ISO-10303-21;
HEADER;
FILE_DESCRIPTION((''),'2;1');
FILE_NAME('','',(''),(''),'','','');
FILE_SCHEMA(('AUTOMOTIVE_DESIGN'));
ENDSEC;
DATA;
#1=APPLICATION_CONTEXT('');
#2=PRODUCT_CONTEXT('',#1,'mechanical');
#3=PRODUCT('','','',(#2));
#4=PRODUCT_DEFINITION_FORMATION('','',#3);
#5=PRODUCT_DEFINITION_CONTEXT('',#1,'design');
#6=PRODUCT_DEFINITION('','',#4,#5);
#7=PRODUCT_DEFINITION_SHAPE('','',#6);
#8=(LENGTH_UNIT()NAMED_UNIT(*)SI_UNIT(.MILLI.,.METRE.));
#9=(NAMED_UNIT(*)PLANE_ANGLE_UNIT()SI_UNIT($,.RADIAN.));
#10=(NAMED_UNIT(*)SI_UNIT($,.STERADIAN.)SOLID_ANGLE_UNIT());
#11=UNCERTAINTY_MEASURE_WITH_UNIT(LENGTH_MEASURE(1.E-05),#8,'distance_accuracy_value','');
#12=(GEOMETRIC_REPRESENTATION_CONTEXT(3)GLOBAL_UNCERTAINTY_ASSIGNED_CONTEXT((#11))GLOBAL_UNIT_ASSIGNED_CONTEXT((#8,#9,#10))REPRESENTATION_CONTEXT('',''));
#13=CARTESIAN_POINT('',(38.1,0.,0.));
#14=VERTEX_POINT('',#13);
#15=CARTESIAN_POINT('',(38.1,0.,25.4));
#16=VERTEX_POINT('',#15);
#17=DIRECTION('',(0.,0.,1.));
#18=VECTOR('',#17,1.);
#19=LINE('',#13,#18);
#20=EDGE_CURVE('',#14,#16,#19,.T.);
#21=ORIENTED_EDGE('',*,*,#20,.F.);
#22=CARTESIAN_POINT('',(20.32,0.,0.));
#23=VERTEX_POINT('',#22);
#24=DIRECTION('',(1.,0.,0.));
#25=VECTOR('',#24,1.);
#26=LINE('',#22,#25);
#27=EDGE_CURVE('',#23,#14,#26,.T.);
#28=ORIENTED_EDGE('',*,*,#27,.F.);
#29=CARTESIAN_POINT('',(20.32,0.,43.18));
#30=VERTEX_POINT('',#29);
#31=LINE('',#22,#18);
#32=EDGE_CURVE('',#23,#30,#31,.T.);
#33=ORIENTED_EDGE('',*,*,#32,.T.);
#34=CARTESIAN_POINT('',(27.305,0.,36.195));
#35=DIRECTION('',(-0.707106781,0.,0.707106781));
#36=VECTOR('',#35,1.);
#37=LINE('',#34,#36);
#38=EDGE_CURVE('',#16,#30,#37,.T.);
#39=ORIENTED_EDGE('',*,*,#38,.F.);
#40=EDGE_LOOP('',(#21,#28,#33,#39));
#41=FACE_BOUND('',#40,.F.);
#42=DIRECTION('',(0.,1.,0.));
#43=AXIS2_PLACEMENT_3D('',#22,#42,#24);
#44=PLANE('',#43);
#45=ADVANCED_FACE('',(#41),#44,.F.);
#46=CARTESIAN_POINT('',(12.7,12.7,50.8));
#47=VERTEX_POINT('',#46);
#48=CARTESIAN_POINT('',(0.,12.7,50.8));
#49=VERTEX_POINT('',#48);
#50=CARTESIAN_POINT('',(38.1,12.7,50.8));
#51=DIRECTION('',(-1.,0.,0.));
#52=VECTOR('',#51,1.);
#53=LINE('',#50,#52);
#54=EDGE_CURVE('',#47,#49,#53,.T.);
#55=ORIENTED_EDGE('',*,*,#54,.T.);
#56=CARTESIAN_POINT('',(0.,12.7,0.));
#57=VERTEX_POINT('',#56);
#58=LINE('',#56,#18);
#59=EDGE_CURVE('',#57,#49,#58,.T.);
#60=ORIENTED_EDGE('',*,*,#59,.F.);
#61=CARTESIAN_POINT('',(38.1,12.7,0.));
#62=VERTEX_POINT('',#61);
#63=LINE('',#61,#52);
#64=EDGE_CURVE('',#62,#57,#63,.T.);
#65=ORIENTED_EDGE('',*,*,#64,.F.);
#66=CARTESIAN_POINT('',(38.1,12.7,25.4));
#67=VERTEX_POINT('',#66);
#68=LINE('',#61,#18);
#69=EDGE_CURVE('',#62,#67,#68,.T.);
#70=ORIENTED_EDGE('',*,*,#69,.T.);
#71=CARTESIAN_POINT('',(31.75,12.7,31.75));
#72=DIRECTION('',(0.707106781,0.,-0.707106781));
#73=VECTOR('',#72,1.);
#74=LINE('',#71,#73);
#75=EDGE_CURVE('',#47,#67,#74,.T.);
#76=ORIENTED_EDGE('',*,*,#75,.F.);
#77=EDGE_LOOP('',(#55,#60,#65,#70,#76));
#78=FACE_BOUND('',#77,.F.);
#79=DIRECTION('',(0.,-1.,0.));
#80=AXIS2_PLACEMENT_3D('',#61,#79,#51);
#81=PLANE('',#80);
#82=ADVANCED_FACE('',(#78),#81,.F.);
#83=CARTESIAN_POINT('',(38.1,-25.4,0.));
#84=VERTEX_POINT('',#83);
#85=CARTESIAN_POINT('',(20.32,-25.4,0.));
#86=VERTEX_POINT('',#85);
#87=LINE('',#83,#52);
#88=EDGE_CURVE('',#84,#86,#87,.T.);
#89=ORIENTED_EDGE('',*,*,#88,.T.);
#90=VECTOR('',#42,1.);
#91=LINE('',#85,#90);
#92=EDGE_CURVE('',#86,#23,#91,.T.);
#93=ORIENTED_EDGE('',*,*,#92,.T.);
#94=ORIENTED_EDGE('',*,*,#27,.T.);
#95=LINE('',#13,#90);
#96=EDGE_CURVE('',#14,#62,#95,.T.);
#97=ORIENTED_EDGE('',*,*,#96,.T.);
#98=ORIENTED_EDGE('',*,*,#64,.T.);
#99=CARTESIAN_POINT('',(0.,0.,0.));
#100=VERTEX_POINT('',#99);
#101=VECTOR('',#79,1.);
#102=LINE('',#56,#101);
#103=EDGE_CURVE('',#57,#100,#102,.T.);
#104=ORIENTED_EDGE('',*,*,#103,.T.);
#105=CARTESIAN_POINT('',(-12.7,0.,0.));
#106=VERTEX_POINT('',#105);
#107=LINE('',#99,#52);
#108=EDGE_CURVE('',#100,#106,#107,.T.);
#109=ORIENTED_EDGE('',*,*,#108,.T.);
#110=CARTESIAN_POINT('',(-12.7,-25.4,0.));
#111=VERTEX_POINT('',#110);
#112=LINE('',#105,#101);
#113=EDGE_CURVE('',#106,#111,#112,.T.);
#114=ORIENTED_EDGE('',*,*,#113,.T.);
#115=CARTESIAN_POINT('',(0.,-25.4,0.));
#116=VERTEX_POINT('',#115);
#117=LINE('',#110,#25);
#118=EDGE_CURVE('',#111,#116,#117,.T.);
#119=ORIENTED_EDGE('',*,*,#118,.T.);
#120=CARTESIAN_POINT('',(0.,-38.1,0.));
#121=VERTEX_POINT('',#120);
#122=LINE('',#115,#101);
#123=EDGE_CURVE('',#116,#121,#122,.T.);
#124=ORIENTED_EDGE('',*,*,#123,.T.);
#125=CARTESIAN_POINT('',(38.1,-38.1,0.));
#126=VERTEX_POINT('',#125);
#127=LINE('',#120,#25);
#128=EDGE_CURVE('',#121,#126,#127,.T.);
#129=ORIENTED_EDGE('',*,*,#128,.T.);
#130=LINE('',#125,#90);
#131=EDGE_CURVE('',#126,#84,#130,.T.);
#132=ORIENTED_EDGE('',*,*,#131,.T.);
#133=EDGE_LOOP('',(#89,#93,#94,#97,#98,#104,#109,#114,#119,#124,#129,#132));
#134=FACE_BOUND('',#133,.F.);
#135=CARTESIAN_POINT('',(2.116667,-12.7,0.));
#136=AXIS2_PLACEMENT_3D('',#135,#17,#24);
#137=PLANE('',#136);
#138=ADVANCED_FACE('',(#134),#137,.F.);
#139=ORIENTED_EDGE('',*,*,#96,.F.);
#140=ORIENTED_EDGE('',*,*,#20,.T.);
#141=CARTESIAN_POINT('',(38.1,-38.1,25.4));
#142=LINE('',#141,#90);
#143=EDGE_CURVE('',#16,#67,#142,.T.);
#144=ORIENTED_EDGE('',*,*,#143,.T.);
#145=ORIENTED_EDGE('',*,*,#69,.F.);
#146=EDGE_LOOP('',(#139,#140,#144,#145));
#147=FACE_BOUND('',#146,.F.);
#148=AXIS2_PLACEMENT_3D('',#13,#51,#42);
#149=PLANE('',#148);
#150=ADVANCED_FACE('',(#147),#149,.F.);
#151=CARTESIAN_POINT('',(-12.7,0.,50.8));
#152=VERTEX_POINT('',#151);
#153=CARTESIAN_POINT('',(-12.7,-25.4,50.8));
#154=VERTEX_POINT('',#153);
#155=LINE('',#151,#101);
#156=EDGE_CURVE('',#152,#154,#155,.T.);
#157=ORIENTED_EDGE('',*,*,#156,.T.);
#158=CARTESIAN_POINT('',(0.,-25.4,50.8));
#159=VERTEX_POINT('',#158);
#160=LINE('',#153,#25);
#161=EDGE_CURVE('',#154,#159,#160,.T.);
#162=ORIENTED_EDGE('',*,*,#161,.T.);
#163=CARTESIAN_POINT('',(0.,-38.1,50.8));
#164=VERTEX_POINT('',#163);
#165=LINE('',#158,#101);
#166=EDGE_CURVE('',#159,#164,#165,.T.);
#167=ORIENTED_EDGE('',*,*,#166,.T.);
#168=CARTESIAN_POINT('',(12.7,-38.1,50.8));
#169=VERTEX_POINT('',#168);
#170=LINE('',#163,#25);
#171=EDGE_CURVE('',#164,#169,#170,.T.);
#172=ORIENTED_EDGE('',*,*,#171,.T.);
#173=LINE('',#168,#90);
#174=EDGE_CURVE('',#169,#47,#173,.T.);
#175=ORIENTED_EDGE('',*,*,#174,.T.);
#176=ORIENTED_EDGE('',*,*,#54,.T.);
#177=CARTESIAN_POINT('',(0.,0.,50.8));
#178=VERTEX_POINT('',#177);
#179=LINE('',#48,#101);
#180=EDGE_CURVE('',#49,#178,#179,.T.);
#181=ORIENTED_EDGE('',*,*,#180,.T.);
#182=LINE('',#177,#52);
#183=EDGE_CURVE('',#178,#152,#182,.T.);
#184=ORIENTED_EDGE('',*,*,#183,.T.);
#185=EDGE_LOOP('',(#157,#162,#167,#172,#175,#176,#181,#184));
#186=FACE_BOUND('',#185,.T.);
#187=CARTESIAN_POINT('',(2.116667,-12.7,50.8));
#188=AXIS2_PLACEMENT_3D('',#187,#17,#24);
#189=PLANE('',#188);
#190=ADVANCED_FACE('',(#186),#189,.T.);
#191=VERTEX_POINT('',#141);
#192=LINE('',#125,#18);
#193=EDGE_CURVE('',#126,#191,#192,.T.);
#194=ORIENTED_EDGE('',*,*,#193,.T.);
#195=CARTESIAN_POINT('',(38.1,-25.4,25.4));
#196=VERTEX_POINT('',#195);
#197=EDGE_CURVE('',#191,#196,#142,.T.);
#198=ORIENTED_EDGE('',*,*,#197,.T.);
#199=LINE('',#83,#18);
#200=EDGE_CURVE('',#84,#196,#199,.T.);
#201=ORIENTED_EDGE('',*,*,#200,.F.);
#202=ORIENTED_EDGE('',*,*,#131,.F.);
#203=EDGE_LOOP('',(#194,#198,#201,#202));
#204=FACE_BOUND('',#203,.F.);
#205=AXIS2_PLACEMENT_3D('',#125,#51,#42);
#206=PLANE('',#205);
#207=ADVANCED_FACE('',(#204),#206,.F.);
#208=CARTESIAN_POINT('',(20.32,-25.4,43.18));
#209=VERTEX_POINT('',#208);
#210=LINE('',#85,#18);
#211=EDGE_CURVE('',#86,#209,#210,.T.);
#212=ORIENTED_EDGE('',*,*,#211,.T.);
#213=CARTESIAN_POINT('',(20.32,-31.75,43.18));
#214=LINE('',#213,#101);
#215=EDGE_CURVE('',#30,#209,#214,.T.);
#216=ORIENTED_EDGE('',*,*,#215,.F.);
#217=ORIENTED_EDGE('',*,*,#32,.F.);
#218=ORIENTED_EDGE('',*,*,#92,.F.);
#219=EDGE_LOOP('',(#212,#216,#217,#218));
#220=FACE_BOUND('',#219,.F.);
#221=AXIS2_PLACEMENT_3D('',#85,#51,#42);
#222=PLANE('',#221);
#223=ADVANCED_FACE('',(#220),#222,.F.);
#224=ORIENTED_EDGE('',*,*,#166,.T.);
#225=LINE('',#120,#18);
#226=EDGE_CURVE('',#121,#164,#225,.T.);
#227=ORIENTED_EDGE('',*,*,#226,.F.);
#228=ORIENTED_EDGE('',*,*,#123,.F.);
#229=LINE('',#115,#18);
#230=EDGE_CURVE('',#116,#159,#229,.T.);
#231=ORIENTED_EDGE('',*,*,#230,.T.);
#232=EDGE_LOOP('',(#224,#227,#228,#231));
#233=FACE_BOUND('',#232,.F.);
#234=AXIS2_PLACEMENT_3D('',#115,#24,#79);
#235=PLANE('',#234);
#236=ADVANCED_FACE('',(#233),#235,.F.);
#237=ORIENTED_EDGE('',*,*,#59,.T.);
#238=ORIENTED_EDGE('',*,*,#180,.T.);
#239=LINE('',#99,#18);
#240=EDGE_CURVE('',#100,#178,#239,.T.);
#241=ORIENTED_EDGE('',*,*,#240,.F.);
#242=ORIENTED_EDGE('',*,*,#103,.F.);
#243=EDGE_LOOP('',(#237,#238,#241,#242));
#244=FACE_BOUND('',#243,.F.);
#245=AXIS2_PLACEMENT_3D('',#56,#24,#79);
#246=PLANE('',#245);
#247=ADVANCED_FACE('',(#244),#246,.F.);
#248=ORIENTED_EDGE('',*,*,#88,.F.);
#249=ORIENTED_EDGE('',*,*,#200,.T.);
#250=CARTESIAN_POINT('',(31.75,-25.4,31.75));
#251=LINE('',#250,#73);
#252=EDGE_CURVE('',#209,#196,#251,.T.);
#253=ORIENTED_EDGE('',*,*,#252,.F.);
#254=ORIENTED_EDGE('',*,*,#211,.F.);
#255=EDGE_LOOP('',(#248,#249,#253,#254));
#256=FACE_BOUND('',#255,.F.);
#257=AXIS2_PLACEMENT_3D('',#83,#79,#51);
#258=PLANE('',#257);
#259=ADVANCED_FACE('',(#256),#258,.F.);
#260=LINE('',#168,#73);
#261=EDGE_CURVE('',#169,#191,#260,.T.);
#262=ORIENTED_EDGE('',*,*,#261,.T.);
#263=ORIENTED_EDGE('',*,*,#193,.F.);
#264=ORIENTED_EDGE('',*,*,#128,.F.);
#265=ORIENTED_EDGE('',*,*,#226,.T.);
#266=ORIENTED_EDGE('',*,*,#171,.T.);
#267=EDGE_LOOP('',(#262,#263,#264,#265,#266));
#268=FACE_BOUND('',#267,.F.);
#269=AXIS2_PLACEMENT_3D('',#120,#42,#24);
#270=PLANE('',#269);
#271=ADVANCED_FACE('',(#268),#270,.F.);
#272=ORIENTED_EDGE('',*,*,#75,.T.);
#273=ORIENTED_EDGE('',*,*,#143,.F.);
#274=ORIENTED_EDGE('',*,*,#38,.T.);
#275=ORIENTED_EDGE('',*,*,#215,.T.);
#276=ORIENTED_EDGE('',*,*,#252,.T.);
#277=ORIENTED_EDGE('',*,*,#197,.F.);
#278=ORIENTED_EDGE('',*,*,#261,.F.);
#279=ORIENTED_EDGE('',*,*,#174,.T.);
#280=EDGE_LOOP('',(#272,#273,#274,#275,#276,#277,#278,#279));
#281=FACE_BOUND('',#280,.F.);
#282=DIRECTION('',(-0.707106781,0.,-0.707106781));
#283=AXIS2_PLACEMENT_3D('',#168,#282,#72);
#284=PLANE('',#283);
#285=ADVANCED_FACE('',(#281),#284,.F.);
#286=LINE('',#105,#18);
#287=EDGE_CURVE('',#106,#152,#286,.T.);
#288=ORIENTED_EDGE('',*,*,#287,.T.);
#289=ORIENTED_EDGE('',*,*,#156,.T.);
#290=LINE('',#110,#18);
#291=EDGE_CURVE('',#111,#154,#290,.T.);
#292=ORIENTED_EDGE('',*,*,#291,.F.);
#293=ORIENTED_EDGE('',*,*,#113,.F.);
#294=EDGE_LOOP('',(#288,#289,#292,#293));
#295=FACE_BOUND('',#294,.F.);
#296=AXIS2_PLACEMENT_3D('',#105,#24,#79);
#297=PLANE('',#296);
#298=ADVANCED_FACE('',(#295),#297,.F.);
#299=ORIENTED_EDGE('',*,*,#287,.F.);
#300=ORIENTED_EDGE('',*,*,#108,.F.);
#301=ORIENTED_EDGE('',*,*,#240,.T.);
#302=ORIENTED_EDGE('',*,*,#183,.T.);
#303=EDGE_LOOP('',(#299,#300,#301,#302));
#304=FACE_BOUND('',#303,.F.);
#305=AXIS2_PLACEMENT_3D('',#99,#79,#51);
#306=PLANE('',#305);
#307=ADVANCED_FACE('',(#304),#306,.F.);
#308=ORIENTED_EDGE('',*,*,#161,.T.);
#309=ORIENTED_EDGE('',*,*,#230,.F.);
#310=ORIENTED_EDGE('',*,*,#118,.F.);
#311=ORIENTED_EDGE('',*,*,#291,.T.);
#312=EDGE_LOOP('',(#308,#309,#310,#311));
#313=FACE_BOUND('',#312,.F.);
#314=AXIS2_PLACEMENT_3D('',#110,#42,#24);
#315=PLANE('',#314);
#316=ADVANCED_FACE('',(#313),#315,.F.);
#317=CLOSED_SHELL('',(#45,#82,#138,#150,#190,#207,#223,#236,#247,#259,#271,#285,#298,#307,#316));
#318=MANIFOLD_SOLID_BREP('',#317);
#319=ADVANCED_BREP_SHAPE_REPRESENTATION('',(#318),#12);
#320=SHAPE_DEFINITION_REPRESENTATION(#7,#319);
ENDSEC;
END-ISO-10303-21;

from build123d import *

# Parameters (mm, degrees)
F1_DEPTH = 50.8
F3_DEPTH = 50.801


with BuildPart() as f1:
    # F0 (on Top) → F1 (new body)
    with BuildSketch(Plane.XY):
        Polygon((0, 12.7), (0, 0), (-12.7, 0), (-12.7, -25.4), (0, -25.4), (0, -38.1), (12.7, -38.1), (12.7, 12.7), align=None)
        Polygon((38.1, 12.7), (12.7, 12.7), (12.7, -38.1), (38.1, -38.1), (38.1, -25.4), (20.32, -25.4), (20.32, 0), (38.1, 0), align=None)
    extrude(amount=F1_DEPTH)

    # F2 (on face) → F3 (cut, through all)
    with BuildSketch(Plane.XZ.offset(38.1)):
        Polygon((38.1, 50.8), (12.7, 50.8), (38.1, 25.4), align=None)
    extrude(amount=-F3_DEPTH, mode=Mode.SUBTRACT)


solid = f1.part
